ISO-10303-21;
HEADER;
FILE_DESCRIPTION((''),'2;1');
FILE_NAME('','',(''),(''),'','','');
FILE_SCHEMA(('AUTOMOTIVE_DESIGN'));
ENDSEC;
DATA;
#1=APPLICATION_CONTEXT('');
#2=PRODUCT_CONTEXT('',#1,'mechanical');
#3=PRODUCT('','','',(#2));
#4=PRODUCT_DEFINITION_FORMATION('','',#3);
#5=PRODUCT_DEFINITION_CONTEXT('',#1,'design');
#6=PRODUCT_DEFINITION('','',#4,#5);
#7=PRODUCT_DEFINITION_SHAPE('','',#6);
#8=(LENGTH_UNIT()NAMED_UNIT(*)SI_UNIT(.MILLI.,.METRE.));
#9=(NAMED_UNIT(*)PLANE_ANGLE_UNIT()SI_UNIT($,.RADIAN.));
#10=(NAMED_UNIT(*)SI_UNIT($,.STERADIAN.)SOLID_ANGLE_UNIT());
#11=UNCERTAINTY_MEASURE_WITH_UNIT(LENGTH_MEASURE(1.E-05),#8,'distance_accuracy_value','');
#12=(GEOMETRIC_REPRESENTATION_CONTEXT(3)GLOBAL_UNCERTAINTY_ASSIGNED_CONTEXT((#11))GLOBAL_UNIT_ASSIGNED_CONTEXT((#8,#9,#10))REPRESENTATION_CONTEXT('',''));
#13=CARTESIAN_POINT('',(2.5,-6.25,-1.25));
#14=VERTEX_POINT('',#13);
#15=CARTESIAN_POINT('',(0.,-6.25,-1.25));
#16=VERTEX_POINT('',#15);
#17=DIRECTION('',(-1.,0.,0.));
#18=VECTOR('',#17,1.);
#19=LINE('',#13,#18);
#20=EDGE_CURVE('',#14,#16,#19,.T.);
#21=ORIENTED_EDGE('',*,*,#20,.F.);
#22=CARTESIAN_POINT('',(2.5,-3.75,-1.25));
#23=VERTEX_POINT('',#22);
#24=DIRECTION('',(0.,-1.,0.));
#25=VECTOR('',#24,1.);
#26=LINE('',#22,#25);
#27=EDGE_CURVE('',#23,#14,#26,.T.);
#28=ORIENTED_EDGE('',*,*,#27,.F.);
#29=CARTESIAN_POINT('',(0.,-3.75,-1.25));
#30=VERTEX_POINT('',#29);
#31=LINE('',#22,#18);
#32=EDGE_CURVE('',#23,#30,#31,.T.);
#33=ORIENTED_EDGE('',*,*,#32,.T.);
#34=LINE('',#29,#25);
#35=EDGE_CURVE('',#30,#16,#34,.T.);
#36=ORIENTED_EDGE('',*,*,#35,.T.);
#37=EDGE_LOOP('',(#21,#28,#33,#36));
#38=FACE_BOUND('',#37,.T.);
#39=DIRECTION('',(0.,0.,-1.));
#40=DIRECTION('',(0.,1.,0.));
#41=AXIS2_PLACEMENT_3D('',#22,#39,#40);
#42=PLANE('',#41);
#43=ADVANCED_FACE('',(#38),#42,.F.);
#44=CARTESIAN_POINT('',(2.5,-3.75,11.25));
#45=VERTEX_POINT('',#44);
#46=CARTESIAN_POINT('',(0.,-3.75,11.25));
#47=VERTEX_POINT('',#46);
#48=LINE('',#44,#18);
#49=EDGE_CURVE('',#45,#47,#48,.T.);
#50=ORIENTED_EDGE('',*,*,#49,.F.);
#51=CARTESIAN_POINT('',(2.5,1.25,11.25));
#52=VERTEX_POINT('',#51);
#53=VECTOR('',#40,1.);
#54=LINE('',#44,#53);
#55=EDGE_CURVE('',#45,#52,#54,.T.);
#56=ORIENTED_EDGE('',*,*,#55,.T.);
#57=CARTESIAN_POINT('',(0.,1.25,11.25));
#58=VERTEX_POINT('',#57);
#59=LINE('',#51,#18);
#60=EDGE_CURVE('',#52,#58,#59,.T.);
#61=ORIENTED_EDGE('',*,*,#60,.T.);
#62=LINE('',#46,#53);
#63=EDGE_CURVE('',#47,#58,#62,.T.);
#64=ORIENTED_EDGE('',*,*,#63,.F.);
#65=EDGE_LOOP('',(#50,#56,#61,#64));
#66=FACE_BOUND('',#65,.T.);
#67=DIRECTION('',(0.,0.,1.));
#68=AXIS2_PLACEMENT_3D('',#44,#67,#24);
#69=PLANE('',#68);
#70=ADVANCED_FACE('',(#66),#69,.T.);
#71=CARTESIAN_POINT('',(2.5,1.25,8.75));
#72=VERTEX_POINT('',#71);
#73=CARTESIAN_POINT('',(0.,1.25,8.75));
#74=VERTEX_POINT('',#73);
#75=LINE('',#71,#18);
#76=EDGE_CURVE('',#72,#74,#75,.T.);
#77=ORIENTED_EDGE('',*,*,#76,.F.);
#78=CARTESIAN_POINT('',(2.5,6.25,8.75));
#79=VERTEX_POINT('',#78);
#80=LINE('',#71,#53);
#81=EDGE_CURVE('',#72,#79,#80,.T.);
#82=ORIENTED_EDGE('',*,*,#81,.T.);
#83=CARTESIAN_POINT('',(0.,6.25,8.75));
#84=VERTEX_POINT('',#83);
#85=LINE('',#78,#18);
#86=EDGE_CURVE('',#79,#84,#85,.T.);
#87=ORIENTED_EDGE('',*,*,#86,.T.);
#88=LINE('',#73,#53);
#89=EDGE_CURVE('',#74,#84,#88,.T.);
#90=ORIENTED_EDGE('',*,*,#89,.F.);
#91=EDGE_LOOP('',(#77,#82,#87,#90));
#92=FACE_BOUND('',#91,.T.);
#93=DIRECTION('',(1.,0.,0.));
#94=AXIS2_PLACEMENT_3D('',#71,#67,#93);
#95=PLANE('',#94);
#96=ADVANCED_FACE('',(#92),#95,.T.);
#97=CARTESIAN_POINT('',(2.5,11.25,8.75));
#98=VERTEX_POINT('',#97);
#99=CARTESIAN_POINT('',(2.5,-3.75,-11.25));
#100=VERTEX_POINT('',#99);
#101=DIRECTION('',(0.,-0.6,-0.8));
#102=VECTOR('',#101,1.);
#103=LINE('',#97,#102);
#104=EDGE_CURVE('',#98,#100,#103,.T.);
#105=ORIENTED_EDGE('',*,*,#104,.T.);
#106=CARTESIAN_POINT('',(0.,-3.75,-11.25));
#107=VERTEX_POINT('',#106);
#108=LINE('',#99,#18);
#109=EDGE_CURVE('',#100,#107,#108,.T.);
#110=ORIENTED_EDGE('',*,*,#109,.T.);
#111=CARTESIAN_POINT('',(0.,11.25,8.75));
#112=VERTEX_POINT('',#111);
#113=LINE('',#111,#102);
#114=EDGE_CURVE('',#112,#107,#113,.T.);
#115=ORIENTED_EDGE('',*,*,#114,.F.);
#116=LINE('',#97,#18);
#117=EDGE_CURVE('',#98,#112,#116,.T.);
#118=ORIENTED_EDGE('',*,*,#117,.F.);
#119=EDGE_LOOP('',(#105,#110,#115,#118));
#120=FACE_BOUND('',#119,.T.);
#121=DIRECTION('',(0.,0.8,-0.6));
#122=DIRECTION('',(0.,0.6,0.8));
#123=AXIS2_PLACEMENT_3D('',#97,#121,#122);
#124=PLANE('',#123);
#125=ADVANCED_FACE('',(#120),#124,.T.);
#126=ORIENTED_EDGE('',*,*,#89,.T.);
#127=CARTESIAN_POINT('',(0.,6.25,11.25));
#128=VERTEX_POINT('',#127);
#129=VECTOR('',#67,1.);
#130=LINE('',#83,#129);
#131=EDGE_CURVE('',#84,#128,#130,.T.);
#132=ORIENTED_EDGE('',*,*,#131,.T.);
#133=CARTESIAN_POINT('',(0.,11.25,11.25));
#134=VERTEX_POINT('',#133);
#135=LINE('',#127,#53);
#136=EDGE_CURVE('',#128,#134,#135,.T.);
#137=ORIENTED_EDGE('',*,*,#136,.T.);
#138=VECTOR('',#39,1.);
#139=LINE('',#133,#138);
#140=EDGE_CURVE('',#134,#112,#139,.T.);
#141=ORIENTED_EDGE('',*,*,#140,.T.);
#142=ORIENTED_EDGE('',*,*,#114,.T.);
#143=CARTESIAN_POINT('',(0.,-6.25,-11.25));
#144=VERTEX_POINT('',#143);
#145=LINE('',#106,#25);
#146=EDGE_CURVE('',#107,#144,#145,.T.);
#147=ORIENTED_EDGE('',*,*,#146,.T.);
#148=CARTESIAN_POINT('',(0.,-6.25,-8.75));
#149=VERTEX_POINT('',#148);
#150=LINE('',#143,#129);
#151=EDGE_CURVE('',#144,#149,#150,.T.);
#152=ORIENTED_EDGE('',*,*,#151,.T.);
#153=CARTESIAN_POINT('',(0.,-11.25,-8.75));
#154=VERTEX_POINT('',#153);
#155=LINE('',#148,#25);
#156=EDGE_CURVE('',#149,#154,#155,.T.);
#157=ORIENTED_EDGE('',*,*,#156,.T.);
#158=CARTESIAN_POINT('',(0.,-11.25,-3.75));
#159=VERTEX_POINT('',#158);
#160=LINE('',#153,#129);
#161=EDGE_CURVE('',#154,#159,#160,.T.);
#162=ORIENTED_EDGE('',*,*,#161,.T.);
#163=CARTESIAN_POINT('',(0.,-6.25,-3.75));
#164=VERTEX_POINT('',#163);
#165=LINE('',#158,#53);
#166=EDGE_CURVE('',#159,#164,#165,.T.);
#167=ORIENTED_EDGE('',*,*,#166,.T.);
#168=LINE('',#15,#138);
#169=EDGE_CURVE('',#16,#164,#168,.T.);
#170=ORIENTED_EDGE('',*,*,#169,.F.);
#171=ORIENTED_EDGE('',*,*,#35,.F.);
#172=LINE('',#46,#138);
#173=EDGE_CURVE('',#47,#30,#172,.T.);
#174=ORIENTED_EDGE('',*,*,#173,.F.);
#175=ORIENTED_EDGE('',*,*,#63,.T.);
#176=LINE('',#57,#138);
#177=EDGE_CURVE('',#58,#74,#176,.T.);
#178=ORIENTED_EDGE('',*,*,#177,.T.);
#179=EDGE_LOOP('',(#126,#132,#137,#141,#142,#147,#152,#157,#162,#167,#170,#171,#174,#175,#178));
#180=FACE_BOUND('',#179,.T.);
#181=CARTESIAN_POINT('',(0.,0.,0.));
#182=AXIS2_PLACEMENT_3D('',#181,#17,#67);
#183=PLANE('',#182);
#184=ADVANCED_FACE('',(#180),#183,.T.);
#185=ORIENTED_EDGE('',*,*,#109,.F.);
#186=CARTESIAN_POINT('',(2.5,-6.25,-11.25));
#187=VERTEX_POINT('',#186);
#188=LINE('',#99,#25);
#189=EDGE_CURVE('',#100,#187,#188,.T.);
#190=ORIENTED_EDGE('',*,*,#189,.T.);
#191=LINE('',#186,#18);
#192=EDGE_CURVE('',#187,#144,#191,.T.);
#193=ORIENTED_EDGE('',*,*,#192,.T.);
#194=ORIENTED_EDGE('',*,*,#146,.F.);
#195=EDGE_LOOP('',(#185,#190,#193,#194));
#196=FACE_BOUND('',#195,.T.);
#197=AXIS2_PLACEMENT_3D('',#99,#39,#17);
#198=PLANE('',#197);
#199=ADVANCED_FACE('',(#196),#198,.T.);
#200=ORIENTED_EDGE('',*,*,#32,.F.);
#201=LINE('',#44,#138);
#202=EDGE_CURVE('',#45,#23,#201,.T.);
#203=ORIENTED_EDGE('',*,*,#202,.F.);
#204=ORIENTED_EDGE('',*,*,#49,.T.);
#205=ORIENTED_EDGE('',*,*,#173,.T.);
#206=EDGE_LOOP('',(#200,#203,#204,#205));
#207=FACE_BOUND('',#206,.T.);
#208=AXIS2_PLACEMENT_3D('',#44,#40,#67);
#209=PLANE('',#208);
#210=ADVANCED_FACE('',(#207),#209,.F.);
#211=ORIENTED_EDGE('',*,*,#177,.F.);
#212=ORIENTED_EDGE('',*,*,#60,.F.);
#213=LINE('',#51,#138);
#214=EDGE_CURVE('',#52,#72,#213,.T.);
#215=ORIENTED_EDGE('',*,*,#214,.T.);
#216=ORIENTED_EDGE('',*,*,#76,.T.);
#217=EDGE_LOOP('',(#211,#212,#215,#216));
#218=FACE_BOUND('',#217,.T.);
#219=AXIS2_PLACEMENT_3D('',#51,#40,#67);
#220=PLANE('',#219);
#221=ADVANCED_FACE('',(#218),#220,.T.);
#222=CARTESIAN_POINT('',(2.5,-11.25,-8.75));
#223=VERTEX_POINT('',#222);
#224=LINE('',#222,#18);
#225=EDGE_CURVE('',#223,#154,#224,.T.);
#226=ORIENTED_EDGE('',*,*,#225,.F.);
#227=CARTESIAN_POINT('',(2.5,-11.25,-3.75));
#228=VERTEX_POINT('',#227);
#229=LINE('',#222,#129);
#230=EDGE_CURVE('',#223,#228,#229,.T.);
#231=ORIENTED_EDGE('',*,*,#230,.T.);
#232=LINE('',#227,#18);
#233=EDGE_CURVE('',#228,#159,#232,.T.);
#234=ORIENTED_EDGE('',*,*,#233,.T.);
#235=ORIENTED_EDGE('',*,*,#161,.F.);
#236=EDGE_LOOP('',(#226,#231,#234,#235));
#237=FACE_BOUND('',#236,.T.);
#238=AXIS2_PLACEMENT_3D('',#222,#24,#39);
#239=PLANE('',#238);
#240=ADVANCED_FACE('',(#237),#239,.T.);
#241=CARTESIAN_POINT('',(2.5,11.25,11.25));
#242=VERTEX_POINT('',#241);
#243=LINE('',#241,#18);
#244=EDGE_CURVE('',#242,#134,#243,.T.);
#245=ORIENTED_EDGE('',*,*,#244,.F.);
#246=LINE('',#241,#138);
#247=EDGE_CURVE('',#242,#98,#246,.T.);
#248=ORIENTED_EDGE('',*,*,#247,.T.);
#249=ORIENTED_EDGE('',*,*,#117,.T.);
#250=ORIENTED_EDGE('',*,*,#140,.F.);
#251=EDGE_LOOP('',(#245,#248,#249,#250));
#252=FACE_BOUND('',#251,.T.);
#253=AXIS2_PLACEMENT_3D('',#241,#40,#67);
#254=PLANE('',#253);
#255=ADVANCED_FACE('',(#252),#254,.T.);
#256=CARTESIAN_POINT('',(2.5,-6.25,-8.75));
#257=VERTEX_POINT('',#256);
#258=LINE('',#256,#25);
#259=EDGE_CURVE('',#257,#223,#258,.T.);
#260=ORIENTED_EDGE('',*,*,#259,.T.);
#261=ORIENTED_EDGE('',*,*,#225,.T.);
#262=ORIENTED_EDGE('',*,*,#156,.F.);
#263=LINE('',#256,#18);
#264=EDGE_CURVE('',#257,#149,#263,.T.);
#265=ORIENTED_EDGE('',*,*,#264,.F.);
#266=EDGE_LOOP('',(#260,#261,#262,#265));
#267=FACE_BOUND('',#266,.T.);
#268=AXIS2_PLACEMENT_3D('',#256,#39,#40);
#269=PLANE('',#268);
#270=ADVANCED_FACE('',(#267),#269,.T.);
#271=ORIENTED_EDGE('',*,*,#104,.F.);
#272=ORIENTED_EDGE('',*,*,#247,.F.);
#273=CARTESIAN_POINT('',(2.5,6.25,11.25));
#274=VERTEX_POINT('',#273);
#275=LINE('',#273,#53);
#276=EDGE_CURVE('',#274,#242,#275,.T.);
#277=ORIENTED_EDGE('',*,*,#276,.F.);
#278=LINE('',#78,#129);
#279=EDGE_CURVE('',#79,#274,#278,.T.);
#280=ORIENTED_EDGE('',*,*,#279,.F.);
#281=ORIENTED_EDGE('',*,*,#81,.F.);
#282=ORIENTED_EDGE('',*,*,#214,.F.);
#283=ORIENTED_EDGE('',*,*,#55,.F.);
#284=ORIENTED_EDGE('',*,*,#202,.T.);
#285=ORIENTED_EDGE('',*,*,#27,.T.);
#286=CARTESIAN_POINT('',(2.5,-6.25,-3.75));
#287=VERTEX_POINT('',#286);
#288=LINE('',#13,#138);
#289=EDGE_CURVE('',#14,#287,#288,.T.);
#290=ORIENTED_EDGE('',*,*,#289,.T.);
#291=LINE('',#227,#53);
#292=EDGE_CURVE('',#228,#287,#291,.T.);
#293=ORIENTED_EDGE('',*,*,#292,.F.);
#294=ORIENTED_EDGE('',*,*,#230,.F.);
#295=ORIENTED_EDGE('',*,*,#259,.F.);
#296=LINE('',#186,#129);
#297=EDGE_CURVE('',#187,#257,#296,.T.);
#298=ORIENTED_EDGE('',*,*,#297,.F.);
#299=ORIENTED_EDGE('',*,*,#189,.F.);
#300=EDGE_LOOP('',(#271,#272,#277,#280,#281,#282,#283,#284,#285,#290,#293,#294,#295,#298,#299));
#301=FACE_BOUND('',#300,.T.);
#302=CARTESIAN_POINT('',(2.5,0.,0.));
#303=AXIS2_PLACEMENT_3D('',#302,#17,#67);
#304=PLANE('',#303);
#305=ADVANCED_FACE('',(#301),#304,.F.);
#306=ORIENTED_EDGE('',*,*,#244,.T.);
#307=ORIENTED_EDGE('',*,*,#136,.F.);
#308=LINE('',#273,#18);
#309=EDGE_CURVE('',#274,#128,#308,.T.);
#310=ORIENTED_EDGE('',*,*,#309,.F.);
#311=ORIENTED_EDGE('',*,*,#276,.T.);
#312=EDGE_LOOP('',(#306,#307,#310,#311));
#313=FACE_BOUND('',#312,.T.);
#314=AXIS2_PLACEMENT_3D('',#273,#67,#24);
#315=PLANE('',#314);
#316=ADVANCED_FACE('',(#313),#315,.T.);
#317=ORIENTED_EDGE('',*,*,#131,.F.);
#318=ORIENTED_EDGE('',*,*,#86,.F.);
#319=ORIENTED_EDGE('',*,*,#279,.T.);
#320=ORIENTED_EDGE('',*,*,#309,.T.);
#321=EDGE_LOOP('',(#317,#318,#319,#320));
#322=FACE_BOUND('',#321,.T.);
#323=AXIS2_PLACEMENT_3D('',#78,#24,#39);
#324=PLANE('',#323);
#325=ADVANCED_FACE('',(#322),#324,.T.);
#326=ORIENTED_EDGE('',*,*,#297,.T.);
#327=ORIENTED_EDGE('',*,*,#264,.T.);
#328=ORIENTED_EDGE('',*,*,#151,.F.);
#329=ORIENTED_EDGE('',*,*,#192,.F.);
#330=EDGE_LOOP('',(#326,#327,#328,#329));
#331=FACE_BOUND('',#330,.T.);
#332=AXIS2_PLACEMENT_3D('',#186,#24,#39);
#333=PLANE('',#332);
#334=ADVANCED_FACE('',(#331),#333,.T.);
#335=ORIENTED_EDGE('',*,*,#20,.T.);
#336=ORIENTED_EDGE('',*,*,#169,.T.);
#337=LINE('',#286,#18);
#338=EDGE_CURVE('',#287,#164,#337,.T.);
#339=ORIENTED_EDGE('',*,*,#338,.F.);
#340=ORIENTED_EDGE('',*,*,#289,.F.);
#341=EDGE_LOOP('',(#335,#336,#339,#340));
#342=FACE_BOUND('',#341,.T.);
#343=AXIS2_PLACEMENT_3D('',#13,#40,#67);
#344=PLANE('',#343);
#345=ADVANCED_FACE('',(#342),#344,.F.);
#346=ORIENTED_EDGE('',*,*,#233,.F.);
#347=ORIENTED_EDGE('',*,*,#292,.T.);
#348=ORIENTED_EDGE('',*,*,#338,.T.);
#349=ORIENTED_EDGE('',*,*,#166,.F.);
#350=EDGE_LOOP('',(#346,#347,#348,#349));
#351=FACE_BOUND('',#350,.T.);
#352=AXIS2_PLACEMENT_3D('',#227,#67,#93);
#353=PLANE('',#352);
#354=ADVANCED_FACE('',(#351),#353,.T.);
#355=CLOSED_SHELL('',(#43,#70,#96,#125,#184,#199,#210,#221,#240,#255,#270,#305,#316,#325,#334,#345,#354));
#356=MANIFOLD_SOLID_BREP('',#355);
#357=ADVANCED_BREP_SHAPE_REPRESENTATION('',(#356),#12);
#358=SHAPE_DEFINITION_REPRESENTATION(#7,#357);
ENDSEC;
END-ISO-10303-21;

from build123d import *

# Parameters (mm, degrees)
BOSS_EXTRUDE1_DEPTH = 2.5


with BuildPart() as part:
    # Sketch2 → Boss-Extrude1 (new body)
    with BuildSketch(Plane(origin=(0, 0, 0), x_dir=(0, 0, -1), z_dir=(1, 0, 0))):
        Polygon((-8.75, 11.25), (11.25, -3.75), (11.25, -6.25), (8.75, -6.25), (8.75, -11.25), (3.75, -11.25), (3.75, -6.25), (1.25, -6.25), (1.25, -3.75), (-11.25, -3.75), (-11.25, 1.25), (-8.75, 1.25), (-8.75, 6.25), (-11.25, 6.25), (-11.25, 11.25), align=None)
    extrude(amount=BOSS_EXTRUDE1_DEPTH)


solid = part.part
